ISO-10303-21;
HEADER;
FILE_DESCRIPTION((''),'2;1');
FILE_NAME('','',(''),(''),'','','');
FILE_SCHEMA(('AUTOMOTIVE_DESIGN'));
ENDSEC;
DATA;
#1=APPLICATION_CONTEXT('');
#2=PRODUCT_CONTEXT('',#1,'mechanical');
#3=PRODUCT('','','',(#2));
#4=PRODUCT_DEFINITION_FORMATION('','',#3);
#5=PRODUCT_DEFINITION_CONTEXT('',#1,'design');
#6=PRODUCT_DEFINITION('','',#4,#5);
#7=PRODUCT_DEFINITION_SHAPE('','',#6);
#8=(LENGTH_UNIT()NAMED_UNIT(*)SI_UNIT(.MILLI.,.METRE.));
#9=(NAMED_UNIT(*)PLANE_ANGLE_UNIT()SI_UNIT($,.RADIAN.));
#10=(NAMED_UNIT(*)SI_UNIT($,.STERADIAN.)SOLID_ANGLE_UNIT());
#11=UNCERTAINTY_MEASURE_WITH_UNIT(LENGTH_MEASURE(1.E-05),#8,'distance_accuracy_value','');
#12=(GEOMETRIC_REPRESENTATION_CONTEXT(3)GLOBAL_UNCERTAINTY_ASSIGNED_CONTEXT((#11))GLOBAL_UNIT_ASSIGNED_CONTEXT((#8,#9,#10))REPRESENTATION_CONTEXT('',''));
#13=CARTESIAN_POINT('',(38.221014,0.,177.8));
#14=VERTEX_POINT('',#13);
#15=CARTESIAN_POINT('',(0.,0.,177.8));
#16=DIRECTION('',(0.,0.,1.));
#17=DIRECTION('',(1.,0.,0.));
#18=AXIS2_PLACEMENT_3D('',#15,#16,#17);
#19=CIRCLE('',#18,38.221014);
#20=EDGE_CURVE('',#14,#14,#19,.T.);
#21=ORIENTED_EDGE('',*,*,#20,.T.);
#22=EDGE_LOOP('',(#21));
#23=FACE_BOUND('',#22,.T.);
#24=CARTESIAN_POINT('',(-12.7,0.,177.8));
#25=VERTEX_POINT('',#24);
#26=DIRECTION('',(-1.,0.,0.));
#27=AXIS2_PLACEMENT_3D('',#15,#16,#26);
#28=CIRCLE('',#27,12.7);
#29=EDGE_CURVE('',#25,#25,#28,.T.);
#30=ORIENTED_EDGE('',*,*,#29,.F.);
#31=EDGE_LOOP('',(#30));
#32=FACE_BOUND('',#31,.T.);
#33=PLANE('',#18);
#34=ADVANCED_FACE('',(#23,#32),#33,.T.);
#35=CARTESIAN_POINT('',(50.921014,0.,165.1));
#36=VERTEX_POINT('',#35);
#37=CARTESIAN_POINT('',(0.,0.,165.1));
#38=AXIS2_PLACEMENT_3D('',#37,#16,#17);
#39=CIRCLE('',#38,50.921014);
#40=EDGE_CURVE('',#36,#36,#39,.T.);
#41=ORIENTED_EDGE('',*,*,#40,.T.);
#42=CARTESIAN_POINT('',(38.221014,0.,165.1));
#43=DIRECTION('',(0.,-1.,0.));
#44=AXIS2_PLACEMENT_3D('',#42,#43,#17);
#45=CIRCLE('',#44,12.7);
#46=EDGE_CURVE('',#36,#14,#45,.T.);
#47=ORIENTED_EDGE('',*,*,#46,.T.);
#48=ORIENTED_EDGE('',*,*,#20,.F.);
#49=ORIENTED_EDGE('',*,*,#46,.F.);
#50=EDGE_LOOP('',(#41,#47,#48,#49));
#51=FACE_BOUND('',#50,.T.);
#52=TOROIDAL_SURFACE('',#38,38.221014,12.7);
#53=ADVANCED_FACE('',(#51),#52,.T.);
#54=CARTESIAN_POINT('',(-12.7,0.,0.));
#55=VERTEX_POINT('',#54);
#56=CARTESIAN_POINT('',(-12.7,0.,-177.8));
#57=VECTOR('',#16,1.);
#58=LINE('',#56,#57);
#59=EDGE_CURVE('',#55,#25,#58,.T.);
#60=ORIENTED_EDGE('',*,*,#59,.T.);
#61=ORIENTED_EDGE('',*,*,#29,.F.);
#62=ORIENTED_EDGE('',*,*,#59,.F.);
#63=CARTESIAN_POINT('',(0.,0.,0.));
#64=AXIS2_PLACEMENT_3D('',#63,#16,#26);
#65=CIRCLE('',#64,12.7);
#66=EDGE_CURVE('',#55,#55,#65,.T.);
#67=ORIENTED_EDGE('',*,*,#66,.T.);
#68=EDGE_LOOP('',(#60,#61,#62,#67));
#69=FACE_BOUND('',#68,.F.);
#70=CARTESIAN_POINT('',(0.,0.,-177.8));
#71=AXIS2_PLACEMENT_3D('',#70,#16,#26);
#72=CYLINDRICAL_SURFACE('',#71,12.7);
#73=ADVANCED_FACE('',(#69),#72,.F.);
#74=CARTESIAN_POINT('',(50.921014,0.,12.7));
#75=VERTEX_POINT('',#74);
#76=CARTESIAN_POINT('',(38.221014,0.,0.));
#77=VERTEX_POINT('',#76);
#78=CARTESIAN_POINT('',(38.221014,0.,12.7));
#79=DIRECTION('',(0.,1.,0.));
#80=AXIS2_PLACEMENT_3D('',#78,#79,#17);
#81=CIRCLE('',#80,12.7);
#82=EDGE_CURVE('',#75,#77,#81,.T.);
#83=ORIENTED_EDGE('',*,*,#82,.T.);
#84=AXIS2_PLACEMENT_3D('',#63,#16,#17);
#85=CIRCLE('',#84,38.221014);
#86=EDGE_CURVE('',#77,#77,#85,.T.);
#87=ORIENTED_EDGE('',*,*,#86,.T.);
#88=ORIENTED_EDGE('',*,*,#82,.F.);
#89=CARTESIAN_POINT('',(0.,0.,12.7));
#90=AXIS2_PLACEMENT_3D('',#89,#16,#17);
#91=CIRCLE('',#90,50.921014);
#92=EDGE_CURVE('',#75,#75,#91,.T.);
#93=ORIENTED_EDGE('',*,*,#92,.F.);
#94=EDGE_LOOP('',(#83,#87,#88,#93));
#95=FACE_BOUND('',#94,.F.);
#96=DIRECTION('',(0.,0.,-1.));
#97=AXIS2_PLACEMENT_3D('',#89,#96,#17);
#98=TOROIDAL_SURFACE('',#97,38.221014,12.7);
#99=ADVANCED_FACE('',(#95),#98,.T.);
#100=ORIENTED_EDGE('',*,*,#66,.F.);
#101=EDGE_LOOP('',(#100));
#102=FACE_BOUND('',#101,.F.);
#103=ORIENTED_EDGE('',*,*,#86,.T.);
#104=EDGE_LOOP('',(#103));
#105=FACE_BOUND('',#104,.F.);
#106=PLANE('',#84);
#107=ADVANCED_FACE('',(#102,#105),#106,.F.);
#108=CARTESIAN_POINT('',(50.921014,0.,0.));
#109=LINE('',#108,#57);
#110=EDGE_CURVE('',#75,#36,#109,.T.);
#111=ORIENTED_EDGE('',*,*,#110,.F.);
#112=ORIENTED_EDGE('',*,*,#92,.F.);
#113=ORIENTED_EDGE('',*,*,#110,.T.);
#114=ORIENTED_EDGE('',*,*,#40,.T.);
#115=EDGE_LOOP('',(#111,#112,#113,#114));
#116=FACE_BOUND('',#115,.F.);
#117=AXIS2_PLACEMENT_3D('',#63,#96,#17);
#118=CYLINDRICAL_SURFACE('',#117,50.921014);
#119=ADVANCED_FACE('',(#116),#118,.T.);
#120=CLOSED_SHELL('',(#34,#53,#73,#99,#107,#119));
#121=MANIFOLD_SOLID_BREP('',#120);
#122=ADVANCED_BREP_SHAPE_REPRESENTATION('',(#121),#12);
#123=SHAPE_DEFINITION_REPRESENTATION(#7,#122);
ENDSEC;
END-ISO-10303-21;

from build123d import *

# Parameters (mm, degrees)
F0_R     = 50.921014
F1_DEPTH = 177.8
F2_R     = 12.7
F5_D     = 25.4
F5_DEPTH = 177.8


with BuildPart() as f1:
    # F0 (on Top) → F1 (new body)
    with BuildSketch(Plane.XY):
        Circle(F0_R)
    extrude(amount=F1_DEPTH)

    # F2
    f2_edges = [f1.edges().sort_by_distance(p)[0] for p in [
        (-50.921014, 0, 0),
        (-50.921014, 0, 177.8),
    ]]
    fillet(f2_edges, radius=F2_R)

    # F5
    with Locations(Plane(origin=(0, 0, 0), x_dir=(1, 0, 0), z_dir=(0, 0, -1))):
        with Locations((0, 0)):
            Hole(F5_D / 2, depth=F5_DEPTH)


solid = f1.part
